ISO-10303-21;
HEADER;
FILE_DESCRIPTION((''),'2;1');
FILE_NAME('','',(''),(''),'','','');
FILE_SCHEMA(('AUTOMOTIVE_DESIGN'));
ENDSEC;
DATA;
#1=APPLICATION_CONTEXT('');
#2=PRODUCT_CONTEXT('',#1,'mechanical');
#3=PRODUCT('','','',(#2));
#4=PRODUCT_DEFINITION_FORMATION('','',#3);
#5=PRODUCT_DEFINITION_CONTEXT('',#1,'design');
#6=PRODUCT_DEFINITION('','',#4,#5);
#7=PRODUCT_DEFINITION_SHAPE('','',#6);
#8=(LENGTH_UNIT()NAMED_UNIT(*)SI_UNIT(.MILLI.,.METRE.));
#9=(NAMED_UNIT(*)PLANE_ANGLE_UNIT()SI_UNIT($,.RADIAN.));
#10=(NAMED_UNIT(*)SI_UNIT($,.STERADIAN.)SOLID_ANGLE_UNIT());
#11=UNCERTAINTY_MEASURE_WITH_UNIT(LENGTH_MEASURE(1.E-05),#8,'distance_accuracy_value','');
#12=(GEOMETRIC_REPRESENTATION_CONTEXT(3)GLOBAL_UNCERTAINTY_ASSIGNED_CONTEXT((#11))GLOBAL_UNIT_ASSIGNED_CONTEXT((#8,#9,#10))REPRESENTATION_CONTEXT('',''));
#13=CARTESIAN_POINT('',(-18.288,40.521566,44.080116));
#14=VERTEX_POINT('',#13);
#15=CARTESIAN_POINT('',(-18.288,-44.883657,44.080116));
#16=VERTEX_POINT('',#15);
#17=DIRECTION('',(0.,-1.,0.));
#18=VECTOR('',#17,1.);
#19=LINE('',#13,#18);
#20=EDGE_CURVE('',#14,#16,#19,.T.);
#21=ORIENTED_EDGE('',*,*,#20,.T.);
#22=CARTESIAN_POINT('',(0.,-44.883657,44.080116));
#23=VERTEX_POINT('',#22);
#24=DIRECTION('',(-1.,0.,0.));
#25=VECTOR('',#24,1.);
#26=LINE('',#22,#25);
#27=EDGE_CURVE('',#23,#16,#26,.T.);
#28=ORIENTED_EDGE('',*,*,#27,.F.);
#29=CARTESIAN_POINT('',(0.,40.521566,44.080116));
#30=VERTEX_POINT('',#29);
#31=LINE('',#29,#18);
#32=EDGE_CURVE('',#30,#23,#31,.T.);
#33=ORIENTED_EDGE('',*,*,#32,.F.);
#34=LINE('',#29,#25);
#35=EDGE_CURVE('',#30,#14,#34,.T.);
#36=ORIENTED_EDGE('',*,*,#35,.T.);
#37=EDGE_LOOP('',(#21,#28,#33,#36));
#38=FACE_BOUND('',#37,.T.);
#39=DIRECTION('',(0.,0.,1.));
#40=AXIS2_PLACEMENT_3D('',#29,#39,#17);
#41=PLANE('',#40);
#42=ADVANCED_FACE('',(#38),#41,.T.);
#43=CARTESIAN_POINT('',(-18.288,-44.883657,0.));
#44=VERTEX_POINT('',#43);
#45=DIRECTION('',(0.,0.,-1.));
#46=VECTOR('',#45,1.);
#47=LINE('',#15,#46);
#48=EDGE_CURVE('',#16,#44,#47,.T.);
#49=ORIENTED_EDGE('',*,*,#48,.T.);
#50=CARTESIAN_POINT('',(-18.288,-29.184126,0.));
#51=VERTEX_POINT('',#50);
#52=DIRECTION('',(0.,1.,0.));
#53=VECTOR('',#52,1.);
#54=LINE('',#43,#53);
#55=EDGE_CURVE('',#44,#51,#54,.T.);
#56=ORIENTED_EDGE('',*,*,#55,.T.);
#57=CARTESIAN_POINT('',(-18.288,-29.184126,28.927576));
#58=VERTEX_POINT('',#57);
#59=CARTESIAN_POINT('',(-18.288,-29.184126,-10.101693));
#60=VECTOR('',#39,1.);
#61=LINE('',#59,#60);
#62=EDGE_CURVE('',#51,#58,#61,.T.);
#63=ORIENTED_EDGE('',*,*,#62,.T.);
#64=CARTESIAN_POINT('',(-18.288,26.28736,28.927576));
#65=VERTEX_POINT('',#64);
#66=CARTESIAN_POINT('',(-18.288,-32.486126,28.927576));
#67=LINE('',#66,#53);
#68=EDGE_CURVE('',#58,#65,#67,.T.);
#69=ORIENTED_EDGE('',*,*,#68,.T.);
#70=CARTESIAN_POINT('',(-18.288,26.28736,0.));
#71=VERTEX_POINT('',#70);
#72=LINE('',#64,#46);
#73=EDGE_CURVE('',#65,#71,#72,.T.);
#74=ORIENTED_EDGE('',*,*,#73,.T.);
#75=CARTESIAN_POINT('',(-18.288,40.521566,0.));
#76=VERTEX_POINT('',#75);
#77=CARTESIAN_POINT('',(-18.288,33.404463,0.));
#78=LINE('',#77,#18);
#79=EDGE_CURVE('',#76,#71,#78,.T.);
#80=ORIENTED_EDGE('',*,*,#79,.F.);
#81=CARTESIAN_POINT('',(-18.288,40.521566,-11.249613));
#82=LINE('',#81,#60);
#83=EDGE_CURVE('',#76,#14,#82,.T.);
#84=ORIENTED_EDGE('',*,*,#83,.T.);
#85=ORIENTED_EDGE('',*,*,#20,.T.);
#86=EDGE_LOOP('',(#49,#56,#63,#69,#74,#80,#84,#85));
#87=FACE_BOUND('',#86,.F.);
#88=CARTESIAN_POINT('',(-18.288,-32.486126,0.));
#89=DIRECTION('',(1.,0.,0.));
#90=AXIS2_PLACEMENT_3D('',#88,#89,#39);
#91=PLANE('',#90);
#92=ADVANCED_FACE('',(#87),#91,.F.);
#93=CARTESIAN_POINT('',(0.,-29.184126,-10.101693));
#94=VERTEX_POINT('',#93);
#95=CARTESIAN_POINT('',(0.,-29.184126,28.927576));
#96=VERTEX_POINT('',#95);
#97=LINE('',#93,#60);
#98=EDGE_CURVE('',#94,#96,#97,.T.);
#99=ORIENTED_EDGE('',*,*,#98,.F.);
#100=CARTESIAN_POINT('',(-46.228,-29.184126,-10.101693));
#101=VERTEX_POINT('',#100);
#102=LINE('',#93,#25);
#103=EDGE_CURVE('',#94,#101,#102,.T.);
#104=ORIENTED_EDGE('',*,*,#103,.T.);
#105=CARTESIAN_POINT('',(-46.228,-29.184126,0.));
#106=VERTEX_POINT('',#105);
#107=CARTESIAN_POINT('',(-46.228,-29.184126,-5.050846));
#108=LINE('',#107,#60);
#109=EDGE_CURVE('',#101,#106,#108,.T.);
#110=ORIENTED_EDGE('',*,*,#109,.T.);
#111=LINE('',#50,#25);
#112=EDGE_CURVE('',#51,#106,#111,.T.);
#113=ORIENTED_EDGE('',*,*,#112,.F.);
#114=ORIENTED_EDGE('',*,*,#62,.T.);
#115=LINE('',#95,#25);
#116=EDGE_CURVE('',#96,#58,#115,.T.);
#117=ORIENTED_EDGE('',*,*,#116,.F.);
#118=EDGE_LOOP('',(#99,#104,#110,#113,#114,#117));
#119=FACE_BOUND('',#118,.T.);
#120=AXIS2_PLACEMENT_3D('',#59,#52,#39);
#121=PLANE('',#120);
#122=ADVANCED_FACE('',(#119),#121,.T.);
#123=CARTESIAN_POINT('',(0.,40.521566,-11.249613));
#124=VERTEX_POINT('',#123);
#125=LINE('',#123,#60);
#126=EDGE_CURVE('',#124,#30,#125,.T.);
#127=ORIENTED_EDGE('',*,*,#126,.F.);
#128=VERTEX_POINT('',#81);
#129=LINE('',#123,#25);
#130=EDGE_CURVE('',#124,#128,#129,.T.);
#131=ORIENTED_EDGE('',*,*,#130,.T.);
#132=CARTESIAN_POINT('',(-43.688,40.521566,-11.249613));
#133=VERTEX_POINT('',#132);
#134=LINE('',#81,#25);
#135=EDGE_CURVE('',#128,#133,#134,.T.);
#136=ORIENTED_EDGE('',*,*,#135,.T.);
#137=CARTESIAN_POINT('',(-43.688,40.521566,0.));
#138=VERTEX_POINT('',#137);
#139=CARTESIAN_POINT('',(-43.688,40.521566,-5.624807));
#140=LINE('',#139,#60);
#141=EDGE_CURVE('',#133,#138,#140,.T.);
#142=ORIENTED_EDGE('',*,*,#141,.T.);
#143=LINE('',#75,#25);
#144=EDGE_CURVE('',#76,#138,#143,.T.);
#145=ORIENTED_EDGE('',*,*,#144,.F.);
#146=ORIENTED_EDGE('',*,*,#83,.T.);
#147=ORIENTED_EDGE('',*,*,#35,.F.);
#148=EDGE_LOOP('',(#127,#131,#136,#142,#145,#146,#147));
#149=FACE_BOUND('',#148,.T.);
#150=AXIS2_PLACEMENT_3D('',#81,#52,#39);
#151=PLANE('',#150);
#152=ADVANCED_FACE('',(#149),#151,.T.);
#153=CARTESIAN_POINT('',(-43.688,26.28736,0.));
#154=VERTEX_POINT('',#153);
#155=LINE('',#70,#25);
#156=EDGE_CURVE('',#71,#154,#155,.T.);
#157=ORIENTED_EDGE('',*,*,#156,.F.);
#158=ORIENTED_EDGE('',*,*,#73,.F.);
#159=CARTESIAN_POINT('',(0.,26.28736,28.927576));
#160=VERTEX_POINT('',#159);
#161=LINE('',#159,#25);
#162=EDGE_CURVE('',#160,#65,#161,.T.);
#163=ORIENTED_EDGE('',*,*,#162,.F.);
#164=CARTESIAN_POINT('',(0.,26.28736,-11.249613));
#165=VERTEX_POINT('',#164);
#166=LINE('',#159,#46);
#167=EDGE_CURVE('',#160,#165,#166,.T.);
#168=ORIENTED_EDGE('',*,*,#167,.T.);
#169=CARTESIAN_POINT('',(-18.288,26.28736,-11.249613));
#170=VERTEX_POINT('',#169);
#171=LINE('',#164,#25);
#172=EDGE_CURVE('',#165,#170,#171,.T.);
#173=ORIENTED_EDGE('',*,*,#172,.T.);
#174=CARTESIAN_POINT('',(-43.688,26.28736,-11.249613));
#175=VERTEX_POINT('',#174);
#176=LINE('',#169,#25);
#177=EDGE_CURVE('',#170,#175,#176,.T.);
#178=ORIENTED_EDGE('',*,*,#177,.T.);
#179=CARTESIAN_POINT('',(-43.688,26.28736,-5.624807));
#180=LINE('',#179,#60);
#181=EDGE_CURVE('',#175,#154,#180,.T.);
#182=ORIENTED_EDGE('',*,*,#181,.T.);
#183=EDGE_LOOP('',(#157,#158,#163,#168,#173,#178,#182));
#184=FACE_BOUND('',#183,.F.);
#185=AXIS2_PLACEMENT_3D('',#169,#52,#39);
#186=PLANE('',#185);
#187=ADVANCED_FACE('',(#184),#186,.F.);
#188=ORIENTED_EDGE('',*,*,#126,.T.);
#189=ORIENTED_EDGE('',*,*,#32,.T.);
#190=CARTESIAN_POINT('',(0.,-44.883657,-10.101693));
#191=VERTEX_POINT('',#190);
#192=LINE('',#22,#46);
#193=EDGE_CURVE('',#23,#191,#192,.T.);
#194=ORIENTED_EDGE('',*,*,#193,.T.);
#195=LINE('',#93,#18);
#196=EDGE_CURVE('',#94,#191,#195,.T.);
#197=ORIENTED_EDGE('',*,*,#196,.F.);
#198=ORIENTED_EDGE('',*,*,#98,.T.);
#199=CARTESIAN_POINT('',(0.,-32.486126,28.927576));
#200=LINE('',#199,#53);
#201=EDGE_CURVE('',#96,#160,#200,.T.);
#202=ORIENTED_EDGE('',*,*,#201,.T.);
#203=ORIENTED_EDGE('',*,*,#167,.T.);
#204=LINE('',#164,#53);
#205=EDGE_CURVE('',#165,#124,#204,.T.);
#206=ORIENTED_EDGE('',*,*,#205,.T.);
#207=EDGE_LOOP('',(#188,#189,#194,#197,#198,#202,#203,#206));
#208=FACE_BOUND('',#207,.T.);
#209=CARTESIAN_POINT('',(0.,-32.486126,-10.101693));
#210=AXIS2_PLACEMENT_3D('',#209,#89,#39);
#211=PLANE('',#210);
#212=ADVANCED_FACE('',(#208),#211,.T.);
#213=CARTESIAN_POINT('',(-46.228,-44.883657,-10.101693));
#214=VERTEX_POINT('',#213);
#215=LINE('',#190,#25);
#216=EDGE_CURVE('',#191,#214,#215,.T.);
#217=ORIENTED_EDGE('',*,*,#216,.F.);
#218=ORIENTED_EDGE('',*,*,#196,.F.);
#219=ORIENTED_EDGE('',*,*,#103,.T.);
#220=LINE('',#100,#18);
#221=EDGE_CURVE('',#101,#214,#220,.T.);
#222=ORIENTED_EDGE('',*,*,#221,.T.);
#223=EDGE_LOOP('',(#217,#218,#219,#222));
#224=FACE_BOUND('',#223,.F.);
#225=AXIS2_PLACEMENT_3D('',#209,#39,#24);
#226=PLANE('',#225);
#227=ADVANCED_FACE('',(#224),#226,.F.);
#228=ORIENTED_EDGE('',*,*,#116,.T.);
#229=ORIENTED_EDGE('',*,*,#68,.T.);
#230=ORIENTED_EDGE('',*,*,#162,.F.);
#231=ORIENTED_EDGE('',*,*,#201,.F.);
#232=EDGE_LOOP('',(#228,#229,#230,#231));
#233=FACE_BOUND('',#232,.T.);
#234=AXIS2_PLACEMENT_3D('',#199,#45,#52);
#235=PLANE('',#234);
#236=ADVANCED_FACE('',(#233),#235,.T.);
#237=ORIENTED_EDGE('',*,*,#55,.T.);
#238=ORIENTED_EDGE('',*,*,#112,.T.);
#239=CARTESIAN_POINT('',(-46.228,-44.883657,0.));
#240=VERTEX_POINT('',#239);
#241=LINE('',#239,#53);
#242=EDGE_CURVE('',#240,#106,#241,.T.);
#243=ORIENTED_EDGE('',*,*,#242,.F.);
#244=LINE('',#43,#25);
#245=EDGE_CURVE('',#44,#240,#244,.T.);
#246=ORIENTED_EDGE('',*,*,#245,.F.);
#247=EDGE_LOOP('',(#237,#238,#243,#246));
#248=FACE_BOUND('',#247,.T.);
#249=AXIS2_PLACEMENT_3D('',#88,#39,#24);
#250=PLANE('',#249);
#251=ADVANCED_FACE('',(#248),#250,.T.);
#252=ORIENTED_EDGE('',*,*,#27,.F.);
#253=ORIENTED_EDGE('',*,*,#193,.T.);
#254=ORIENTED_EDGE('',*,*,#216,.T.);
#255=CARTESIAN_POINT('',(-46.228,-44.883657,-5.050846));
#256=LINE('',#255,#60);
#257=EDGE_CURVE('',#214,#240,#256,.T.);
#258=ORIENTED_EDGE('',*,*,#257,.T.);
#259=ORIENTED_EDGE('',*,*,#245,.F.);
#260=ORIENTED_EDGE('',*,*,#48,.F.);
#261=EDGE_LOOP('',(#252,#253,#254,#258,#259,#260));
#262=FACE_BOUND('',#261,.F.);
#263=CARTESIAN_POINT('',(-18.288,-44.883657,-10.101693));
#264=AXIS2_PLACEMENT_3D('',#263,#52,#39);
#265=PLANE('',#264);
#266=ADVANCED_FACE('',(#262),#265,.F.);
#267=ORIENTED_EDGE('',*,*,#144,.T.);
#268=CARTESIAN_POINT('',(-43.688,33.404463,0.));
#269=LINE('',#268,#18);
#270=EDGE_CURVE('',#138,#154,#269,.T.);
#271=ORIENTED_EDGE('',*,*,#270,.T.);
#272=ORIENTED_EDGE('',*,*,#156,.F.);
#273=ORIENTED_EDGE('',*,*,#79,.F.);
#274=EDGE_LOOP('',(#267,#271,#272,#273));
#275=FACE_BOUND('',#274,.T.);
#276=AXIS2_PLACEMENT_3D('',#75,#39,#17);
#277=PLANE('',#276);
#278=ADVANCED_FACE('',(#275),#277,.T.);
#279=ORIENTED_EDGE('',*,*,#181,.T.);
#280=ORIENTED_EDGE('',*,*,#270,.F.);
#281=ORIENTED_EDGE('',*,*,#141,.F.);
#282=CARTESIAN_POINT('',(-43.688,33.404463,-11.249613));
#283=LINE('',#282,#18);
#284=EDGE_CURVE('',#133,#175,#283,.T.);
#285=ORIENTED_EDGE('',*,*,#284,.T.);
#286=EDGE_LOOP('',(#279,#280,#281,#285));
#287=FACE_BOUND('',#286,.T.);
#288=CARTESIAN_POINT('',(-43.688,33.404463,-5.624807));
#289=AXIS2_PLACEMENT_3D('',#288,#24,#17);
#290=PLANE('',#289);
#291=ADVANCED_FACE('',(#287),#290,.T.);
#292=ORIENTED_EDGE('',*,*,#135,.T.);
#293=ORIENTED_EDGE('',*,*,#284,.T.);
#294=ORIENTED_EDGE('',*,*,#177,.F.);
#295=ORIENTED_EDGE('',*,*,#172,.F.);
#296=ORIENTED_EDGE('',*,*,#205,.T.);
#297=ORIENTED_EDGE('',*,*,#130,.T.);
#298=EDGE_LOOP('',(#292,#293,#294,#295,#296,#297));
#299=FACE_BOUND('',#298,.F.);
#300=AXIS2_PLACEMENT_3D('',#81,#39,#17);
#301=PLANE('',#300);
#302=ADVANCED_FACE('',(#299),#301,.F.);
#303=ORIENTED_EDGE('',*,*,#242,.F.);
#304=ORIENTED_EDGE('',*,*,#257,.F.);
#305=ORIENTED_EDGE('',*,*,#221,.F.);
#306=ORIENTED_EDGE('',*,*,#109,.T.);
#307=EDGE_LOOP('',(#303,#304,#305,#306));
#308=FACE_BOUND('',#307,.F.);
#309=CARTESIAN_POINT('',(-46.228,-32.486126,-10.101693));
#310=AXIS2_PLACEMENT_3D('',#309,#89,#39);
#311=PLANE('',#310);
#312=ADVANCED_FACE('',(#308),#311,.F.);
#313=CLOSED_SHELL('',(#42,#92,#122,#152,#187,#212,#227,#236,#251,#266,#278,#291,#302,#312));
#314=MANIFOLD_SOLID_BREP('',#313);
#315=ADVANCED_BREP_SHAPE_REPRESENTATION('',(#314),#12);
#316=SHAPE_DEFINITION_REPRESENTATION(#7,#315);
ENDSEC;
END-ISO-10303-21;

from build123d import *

# Parameters (mm, degrees)
F1_DEPTH = 18.288
F2_W     = 14.2342057079
F2_H     = 11.2496130168
F3_DEPTH = 25.4
F4_W     = 12.39753142
F4_H     = 10.101692751
F5_DEPTH = 27.94
F6_DEPTH = 3.302


with BuildPart() as f1:
    # F0 (on Right) → F1 (new body)
    with BuildSketch(Plane.YZ):
        Polygon((-44.8836572468, 44.0801158547), (-44.8836572468, -10.101692751), (-32.4861258268, -10.101692751), (-32.4861258268, 28.9275757968), (26.2873601168, 28.9275757968), (26.2873601168, -11.2496130168), (40.5215658247, -11.2496130168), (40.5215658247, 44.0801158547), align=None)
    extrude(amount=-F1_DEPTH)

    # F2 (on face) → F3 (join)
    with BuildSketch(Plane(origin=(-18.288, 0, 0), x_dir=(0, -1, 0), z_dir=(-1, 0, 0))):
        with Locations((-33.4044629708, -5.6248065084)):
            Rectangle(F2_W, F2_H)
    extrude(amount=F3_DEPTH)

    # F4 (on face) → F5 (join)
    with BuildSketch(Plane(origin=(-18.288, 0, 0), x_dir=(0, -1, 0), z_dir=(-1, 0, 0))):
        with Locations((38.6848915368, -5.0508463755)):
            Rectangle(F4_W, F4_H)
    extrude(amount=F5_DEPTH)

    # F6 (add): a face of the model
    f6_faces = [f1.faces().sort_by_distance(p)[0] for p in [
        (-15.6938687201, -32.4861258268, 5.3143038172),
    ]]
    extrude(f6_faces, amount=F6_DEPTH)


solid = f1.part
